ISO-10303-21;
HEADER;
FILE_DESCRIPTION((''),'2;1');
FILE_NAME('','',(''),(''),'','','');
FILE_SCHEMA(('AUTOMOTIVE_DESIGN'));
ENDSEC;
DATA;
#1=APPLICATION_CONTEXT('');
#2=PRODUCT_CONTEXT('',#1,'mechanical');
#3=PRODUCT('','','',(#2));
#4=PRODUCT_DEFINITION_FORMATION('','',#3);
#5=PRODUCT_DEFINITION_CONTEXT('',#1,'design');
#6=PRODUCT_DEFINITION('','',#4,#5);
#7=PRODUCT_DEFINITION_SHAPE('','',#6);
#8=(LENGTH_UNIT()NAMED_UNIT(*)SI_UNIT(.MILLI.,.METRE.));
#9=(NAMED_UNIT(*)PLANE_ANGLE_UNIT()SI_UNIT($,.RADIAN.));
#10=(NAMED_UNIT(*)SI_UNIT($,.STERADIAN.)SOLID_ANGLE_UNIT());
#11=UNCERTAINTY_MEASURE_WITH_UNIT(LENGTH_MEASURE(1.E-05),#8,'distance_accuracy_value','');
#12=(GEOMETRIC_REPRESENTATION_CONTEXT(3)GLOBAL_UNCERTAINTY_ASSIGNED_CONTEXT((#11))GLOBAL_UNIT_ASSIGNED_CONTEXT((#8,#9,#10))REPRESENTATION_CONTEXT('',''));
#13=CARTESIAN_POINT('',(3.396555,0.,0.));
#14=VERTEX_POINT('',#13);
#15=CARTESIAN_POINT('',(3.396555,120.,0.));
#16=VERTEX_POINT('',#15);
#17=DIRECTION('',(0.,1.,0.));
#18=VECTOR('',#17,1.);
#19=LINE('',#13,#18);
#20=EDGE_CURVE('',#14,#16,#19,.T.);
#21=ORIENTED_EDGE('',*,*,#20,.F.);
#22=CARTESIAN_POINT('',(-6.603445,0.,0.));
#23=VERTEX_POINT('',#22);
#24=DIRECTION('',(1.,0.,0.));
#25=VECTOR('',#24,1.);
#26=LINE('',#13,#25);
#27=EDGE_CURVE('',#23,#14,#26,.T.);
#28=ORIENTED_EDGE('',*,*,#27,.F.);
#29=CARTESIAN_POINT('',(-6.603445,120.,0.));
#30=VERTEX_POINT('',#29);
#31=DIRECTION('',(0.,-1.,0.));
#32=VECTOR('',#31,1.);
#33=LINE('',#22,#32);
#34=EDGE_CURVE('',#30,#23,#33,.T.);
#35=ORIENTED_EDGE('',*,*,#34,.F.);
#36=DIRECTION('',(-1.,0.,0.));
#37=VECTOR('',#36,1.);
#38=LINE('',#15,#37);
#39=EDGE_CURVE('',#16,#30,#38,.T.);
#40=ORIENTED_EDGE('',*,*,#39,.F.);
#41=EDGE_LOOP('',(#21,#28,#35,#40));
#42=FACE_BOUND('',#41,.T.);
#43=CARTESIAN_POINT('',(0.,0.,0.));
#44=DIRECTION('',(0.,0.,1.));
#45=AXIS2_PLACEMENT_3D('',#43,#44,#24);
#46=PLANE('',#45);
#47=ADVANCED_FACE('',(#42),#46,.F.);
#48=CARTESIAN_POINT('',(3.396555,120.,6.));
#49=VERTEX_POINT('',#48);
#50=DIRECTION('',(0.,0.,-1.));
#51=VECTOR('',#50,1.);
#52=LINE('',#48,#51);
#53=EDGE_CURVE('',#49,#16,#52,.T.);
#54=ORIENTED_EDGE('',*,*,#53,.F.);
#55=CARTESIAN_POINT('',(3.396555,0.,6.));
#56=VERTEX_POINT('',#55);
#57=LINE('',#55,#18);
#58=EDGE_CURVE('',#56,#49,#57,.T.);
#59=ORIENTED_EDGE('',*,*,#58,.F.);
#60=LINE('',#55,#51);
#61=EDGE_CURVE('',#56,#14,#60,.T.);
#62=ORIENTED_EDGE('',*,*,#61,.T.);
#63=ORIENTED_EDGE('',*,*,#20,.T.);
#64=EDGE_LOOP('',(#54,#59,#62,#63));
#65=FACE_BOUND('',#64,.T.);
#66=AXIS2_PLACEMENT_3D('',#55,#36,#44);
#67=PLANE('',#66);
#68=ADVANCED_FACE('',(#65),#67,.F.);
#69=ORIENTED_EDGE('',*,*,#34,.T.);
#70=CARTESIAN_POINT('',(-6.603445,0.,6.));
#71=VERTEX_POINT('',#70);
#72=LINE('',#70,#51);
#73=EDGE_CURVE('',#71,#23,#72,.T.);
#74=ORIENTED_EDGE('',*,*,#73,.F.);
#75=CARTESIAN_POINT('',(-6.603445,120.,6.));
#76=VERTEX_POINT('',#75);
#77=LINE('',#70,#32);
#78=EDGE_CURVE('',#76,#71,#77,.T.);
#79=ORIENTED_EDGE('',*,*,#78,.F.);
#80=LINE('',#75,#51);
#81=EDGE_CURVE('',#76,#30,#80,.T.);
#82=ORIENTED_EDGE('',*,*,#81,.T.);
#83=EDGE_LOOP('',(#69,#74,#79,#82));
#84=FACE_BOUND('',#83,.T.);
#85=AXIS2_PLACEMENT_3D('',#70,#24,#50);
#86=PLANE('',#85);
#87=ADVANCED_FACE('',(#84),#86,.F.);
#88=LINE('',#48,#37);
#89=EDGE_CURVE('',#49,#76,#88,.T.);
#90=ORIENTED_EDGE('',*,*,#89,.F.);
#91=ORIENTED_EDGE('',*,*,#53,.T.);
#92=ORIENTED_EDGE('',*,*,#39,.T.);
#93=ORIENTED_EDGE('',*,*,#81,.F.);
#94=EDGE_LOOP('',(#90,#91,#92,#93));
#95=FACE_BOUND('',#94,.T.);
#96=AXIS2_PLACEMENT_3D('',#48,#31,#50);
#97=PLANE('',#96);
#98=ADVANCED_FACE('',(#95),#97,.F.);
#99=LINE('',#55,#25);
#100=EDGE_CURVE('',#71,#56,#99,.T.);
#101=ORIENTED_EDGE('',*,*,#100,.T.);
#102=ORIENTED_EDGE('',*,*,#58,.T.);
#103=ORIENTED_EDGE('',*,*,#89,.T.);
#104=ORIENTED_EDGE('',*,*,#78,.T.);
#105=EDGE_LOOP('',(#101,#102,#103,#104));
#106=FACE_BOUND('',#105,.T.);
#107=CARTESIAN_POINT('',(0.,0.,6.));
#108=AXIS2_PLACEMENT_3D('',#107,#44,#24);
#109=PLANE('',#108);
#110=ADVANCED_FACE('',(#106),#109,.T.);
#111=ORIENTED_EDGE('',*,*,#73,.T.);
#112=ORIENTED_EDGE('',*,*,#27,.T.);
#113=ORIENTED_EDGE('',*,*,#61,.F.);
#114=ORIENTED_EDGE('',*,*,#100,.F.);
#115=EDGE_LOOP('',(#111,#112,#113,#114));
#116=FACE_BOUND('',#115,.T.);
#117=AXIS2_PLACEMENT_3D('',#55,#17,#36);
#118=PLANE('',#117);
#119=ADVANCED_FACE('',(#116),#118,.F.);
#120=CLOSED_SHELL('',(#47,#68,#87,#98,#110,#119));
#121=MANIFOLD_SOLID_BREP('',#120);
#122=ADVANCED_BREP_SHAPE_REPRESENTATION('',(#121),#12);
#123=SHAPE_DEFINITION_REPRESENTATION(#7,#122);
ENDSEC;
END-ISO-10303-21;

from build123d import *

# Parameters (mm, degrees)
ESBO_O1_W                = 10
ESBO_O1_H                = 120
RESSALTO_EXTRUS_O1_DEPTH = 6


with BuildPart() as part:
    # Esboço1 → Ressalto-extrusão1 (new body)
    with BuildSketch(Plane.XY):
        with Locations((-1.603444994, 60)):
            Rectangle(ESBO_O1_W, ESBO_O1_H)
    extrude(amount=RESSALTO_EXTRUS_O1_DEPTH)


solid = part.part
